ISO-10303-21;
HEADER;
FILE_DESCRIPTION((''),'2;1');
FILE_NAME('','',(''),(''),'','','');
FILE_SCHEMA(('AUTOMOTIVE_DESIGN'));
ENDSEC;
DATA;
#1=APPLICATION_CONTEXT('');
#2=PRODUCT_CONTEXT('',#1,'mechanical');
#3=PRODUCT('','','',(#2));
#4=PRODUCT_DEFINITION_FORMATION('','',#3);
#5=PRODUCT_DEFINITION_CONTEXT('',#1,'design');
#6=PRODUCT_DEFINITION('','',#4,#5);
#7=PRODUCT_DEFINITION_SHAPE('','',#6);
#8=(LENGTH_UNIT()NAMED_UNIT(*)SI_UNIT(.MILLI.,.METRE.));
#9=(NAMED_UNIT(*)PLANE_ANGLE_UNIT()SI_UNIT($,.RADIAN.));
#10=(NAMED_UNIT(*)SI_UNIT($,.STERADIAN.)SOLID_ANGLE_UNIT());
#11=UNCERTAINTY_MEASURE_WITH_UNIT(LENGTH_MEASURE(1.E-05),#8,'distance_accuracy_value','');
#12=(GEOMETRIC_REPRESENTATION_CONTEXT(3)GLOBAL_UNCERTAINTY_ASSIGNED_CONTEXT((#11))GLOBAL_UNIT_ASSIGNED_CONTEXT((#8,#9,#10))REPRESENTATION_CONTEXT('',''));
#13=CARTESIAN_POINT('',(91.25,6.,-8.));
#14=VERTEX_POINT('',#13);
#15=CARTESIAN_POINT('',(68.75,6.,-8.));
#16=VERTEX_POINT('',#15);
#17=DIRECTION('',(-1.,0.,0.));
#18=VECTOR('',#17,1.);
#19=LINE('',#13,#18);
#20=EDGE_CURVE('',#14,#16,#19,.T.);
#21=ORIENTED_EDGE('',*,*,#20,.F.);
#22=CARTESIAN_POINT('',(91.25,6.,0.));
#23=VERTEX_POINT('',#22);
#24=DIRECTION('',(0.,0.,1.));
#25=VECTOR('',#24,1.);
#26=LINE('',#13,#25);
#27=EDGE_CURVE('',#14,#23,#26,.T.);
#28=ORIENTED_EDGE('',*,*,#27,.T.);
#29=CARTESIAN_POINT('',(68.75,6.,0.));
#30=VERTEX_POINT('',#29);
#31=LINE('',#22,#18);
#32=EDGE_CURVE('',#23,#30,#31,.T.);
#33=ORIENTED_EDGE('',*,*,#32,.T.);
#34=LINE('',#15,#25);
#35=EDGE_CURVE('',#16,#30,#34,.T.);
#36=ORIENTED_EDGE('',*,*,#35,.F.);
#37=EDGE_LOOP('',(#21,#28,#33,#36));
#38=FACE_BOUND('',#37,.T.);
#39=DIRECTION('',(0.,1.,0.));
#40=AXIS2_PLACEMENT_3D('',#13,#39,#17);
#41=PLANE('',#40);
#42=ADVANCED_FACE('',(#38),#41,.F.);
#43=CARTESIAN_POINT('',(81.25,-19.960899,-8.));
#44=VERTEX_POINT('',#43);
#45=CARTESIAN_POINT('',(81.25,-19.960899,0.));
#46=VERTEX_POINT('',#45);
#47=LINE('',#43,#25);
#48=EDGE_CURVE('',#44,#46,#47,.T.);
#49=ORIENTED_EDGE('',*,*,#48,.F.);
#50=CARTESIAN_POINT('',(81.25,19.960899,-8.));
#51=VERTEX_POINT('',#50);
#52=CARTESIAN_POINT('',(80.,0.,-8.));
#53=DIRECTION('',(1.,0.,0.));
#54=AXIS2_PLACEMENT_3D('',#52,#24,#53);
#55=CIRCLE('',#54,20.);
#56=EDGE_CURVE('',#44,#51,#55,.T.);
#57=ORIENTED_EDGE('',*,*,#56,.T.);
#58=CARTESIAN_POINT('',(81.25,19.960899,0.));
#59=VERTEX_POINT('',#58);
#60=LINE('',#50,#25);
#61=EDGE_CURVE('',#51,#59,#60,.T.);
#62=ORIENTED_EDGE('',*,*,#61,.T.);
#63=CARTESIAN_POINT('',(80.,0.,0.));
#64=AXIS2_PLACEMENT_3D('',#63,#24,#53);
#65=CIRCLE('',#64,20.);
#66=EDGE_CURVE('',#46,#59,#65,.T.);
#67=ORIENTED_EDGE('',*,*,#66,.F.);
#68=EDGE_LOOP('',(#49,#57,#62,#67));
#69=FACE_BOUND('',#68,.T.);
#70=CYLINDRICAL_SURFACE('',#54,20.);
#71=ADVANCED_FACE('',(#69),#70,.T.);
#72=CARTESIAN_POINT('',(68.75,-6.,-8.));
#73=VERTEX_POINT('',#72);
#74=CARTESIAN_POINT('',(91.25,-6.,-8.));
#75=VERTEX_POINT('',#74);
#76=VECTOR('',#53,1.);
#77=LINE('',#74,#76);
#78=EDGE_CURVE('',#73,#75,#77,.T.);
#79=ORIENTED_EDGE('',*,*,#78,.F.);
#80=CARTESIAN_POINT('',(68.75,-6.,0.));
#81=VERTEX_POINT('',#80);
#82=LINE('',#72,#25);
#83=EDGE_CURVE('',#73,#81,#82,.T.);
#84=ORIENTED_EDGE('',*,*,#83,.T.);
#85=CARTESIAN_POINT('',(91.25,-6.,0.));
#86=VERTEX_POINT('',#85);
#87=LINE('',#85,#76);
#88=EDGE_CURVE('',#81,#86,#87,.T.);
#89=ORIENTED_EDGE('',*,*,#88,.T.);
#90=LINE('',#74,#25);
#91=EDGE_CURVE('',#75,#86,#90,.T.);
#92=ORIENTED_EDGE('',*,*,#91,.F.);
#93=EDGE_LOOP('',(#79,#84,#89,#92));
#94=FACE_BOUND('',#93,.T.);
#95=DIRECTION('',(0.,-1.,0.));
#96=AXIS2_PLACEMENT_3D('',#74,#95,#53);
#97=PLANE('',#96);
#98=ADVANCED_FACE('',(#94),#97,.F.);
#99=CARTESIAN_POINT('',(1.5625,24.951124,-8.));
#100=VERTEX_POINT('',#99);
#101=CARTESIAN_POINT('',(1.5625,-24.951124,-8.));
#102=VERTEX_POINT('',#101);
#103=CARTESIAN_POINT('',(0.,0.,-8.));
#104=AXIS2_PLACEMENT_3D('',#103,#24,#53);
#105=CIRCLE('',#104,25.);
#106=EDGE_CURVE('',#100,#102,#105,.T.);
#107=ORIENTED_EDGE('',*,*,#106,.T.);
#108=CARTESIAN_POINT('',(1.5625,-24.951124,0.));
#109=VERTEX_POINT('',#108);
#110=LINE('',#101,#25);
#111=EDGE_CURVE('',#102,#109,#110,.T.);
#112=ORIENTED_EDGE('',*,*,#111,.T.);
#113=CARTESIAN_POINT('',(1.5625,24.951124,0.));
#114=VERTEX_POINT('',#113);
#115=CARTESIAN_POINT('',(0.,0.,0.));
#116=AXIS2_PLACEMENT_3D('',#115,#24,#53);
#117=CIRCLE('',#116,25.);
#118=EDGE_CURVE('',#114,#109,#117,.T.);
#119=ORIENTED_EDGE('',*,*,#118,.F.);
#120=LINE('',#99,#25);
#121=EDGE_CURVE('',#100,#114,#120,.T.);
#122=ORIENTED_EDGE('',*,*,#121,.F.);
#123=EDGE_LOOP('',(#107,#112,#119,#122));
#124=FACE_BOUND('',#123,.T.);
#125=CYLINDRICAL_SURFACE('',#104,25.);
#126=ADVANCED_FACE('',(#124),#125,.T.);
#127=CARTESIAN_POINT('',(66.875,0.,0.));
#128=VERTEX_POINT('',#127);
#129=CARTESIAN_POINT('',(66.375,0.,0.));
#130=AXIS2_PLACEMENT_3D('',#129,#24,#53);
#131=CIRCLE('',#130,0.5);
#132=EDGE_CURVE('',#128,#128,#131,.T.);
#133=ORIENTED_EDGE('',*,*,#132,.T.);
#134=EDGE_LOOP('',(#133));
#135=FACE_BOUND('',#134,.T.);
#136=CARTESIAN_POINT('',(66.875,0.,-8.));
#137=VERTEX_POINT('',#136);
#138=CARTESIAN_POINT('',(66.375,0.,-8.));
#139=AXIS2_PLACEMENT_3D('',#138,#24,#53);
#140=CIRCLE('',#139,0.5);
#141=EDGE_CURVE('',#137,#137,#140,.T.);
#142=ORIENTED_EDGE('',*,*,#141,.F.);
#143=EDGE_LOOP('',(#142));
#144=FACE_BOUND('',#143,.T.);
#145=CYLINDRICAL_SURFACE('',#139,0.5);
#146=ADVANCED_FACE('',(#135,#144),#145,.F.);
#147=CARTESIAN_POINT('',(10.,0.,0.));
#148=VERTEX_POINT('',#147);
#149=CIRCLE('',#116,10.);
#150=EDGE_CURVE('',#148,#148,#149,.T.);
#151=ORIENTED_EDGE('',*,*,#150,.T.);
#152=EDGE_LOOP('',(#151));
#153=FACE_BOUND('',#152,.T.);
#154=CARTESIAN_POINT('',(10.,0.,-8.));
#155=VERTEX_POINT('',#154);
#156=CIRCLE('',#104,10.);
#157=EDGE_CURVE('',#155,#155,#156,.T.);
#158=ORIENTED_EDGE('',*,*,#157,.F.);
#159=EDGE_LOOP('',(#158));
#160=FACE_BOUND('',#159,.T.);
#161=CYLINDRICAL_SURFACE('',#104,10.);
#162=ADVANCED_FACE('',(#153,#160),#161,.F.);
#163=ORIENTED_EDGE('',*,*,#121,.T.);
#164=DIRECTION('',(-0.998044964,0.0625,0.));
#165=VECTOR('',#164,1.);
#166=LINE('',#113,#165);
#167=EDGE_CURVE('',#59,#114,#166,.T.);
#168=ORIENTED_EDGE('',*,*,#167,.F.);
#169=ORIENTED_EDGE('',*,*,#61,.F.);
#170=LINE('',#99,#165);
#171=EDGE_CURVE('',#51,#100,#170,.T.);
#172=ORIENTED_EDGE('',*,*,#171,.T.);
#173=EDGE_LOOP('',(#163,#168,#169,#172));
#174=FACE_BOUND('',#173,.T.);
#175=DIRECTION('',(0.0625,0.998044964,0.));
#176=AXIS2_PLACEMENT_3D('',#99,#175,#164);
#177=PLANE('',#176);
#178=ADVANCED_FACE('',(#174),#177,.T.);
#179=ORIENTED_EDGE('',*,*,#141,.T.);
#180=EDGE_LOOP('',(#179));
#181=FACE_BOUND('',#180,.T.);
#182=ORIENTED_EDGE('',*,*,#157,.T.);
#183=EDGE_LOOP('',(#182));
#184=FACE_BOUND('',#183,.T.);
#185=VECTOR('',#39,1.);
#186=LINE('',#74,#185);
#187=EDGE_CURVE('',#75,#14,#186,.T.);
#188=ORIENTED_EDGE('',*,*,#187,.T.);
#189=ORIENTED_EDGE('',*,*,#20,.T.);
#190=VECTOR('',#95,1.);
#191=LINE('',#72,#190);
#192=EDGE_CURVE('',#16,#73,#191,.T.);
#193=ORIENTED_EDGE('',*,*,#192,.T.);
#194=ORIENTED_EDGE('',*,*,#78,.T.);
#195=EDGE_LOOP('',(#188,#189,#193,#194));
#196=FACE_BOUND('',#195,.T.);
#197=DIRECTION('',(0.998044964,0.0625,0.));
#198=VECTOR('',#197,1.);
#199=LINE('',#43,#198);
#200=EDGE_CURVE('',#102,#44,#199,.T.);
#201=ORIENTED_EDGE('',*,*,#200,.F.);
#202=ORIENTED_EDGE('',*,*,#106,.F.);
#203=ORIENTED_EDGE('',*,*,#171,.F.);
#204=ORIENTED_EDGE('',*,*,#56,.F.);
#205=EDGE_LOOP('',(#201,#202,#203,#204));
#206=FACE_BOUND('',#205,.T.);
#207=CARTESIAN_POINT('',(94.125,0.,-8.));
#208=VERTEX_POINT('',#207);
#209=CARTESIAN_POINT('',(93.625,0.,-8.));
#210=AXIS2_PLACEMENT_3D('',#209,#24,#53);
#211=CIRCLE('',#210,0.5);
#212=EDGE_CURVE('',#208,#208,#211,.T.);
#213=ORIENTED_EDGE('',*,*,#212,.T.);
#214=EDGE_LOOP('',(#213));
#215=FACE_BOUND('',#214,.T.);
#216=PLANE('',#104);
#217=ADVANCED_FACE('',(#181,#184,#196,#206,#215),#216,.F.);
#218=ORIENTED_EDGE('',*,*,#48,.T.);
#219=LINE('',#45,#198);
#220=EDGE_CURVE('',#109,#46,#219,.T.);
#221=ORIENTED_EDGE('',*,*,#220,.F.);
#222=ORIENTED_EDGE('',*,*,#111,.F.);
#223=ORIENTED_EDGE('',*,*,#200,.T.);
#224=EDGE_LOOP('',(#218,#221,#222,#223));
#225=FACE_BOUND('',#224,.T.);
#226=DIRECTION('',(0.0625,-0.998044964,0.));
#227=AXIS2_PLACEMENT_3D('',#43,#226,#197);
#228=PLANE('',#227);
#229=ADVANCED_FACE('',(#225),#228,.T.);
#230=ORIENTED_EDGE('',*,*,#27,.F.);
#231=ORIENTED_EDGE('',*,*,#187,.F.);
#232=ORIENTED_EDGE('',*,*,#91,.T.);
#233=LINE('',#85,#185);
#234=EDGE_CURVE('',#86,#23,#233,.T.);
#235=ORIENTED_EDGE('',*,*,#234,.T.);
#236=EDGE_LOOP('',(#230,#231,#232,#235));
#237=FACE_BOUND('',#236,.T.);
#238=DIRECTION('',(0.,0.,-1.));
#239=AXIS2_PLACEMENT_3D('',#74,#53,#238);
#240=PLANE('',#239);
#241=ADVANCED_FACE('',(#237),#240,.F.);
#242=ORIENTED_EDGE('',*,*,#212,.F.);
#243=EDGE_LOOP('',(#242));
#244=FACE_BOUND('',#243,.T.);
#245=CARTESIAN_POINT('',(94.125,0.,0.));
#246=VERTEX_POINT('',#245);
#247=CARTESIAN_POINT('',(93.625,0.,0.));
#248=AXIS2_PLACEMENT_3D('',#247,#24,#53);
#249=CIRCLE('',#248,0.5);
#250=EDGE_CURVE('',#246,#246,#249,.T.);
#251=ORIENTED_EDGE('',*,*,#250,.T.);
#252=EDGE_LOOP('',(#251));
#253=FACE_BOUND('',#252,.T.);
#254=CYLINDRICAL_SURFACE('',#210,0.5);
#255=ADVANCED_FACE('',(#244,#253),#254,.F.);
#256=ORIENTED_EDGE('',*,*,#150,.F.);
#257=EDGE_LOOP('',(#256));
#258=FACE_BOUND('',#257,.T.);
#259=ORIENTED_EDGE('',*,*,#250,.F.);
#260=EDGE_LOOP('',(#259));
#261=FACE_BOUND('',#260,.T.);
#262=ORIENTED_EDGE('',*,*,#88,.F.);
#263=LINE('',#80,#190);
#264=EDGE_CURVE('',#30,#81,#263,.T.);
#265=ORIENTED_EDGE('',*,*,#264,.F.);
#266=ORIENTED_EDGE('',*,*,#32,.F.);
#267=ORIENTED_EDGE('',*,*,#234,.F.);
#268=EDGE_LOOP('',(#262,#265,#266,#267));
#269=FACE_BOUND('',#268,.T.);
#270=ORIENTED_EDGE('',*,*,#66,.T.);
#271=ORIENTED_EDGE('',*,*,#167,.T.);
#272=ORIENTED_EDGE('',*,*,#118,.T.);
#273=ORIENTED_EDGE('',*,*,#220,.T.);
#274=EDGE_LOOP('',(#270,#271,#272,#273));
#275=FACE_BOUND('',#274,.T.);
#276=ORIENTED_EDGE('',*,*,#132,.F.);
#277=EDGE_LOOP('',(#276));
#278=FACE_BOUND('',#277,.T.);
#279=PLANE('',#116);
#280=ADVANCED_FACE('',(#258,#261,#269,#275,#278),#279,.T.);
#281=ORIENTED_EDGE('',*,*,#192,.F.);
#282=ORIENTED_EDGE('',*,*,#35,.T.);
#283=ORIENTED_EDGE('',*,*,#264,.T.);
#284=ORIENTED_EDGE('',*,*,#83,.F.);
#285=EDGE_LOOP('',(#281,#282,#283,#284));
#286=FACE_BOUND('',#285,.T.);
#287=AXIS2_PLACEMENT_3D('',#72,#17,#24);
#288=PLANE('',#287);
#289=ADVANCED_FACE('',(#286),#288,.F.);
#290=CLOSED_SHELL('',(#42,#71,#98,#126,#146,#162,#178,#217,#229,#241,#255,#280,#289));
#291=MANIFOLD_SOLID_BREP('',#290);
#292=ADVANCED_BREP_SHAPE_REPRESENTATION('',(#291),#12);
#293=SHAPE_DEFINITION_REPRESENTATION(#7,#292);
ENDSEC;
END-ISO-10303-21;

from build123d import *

# Parameters (mm, degrees)
CROQUIS1_R              = 0.8
CROQUIS1_R_2            = 0.5
CROQUIS1_W              = 22.5
CROQUIS1_H              = 12
SALIENTE_EXTRUIR1_DEPTH = 8
CROQUIS2_R              = 10
CORTAR_EXTRUIR1_DEPTH   = 104.387620149


with BuildPart() as part:
    # Croquis1 → Saliente-Extruir1 (new body)
    with BuildSketch(Plane.XY):
        with BuildLine():
            Line((1.5625, 24.951124098), (81.25, 19.960899278))
            ThreePointArc((81.25, 19.960899278), (100, 0), (81.25, -19.960899278))
            Line((81.25, -19.960899278), (1.5625, -24.951124098))
            ThreePointArc((1.5625, -24.951124098), (-25, 0), (1.5625, 24.951124098))
        make_face()
        Circle(CROQUIS1_R, mode=Mode.SUBTRACT)
        with Locations((66.375, 0)):
            Circle(CROQUIS1_R_2, mode=Mode.SUBTRACT)
        with Locations((93.625, 0)):
            Circle(CROQUIS1_R_2, mode=Mode.SUBTRACT)
        with Locations((7.5, 0)):
            Circle(CROQUIS1_R, mode=Mode.SUBTRACT)
        with Locations((0, -7.5)):
            Circle(CROQUIS1_R, mode=Mode.SUBTRACT)
        with Locations((-7.5, 0)):
            Circle(CROQUIS1_R, mode=Mode.SUBTRACT)
        with Locations((0, 7.5)):
            Circle(CROQUIS1_R, mode=Mode.SUBTRACT)
        with Locations((80, 0)):
            Rectangle(CROQUIS1_W, CROQUIS1_H, mode=Mode.SUBTRACT)
    extrude(amount=-SALIENTE_EXTRUIR1_DEPTH)

    # Croquis2 → Cortar-Extruir1 (cut, through all)
    with BuildSketch(Plane.XY):
        Circle(CROQUIS2_R)
    extrude(amount=-CORTAR_EXTRUIR1_DEPTH, mode=Mode.SUBTRACT)


solid = part.part
